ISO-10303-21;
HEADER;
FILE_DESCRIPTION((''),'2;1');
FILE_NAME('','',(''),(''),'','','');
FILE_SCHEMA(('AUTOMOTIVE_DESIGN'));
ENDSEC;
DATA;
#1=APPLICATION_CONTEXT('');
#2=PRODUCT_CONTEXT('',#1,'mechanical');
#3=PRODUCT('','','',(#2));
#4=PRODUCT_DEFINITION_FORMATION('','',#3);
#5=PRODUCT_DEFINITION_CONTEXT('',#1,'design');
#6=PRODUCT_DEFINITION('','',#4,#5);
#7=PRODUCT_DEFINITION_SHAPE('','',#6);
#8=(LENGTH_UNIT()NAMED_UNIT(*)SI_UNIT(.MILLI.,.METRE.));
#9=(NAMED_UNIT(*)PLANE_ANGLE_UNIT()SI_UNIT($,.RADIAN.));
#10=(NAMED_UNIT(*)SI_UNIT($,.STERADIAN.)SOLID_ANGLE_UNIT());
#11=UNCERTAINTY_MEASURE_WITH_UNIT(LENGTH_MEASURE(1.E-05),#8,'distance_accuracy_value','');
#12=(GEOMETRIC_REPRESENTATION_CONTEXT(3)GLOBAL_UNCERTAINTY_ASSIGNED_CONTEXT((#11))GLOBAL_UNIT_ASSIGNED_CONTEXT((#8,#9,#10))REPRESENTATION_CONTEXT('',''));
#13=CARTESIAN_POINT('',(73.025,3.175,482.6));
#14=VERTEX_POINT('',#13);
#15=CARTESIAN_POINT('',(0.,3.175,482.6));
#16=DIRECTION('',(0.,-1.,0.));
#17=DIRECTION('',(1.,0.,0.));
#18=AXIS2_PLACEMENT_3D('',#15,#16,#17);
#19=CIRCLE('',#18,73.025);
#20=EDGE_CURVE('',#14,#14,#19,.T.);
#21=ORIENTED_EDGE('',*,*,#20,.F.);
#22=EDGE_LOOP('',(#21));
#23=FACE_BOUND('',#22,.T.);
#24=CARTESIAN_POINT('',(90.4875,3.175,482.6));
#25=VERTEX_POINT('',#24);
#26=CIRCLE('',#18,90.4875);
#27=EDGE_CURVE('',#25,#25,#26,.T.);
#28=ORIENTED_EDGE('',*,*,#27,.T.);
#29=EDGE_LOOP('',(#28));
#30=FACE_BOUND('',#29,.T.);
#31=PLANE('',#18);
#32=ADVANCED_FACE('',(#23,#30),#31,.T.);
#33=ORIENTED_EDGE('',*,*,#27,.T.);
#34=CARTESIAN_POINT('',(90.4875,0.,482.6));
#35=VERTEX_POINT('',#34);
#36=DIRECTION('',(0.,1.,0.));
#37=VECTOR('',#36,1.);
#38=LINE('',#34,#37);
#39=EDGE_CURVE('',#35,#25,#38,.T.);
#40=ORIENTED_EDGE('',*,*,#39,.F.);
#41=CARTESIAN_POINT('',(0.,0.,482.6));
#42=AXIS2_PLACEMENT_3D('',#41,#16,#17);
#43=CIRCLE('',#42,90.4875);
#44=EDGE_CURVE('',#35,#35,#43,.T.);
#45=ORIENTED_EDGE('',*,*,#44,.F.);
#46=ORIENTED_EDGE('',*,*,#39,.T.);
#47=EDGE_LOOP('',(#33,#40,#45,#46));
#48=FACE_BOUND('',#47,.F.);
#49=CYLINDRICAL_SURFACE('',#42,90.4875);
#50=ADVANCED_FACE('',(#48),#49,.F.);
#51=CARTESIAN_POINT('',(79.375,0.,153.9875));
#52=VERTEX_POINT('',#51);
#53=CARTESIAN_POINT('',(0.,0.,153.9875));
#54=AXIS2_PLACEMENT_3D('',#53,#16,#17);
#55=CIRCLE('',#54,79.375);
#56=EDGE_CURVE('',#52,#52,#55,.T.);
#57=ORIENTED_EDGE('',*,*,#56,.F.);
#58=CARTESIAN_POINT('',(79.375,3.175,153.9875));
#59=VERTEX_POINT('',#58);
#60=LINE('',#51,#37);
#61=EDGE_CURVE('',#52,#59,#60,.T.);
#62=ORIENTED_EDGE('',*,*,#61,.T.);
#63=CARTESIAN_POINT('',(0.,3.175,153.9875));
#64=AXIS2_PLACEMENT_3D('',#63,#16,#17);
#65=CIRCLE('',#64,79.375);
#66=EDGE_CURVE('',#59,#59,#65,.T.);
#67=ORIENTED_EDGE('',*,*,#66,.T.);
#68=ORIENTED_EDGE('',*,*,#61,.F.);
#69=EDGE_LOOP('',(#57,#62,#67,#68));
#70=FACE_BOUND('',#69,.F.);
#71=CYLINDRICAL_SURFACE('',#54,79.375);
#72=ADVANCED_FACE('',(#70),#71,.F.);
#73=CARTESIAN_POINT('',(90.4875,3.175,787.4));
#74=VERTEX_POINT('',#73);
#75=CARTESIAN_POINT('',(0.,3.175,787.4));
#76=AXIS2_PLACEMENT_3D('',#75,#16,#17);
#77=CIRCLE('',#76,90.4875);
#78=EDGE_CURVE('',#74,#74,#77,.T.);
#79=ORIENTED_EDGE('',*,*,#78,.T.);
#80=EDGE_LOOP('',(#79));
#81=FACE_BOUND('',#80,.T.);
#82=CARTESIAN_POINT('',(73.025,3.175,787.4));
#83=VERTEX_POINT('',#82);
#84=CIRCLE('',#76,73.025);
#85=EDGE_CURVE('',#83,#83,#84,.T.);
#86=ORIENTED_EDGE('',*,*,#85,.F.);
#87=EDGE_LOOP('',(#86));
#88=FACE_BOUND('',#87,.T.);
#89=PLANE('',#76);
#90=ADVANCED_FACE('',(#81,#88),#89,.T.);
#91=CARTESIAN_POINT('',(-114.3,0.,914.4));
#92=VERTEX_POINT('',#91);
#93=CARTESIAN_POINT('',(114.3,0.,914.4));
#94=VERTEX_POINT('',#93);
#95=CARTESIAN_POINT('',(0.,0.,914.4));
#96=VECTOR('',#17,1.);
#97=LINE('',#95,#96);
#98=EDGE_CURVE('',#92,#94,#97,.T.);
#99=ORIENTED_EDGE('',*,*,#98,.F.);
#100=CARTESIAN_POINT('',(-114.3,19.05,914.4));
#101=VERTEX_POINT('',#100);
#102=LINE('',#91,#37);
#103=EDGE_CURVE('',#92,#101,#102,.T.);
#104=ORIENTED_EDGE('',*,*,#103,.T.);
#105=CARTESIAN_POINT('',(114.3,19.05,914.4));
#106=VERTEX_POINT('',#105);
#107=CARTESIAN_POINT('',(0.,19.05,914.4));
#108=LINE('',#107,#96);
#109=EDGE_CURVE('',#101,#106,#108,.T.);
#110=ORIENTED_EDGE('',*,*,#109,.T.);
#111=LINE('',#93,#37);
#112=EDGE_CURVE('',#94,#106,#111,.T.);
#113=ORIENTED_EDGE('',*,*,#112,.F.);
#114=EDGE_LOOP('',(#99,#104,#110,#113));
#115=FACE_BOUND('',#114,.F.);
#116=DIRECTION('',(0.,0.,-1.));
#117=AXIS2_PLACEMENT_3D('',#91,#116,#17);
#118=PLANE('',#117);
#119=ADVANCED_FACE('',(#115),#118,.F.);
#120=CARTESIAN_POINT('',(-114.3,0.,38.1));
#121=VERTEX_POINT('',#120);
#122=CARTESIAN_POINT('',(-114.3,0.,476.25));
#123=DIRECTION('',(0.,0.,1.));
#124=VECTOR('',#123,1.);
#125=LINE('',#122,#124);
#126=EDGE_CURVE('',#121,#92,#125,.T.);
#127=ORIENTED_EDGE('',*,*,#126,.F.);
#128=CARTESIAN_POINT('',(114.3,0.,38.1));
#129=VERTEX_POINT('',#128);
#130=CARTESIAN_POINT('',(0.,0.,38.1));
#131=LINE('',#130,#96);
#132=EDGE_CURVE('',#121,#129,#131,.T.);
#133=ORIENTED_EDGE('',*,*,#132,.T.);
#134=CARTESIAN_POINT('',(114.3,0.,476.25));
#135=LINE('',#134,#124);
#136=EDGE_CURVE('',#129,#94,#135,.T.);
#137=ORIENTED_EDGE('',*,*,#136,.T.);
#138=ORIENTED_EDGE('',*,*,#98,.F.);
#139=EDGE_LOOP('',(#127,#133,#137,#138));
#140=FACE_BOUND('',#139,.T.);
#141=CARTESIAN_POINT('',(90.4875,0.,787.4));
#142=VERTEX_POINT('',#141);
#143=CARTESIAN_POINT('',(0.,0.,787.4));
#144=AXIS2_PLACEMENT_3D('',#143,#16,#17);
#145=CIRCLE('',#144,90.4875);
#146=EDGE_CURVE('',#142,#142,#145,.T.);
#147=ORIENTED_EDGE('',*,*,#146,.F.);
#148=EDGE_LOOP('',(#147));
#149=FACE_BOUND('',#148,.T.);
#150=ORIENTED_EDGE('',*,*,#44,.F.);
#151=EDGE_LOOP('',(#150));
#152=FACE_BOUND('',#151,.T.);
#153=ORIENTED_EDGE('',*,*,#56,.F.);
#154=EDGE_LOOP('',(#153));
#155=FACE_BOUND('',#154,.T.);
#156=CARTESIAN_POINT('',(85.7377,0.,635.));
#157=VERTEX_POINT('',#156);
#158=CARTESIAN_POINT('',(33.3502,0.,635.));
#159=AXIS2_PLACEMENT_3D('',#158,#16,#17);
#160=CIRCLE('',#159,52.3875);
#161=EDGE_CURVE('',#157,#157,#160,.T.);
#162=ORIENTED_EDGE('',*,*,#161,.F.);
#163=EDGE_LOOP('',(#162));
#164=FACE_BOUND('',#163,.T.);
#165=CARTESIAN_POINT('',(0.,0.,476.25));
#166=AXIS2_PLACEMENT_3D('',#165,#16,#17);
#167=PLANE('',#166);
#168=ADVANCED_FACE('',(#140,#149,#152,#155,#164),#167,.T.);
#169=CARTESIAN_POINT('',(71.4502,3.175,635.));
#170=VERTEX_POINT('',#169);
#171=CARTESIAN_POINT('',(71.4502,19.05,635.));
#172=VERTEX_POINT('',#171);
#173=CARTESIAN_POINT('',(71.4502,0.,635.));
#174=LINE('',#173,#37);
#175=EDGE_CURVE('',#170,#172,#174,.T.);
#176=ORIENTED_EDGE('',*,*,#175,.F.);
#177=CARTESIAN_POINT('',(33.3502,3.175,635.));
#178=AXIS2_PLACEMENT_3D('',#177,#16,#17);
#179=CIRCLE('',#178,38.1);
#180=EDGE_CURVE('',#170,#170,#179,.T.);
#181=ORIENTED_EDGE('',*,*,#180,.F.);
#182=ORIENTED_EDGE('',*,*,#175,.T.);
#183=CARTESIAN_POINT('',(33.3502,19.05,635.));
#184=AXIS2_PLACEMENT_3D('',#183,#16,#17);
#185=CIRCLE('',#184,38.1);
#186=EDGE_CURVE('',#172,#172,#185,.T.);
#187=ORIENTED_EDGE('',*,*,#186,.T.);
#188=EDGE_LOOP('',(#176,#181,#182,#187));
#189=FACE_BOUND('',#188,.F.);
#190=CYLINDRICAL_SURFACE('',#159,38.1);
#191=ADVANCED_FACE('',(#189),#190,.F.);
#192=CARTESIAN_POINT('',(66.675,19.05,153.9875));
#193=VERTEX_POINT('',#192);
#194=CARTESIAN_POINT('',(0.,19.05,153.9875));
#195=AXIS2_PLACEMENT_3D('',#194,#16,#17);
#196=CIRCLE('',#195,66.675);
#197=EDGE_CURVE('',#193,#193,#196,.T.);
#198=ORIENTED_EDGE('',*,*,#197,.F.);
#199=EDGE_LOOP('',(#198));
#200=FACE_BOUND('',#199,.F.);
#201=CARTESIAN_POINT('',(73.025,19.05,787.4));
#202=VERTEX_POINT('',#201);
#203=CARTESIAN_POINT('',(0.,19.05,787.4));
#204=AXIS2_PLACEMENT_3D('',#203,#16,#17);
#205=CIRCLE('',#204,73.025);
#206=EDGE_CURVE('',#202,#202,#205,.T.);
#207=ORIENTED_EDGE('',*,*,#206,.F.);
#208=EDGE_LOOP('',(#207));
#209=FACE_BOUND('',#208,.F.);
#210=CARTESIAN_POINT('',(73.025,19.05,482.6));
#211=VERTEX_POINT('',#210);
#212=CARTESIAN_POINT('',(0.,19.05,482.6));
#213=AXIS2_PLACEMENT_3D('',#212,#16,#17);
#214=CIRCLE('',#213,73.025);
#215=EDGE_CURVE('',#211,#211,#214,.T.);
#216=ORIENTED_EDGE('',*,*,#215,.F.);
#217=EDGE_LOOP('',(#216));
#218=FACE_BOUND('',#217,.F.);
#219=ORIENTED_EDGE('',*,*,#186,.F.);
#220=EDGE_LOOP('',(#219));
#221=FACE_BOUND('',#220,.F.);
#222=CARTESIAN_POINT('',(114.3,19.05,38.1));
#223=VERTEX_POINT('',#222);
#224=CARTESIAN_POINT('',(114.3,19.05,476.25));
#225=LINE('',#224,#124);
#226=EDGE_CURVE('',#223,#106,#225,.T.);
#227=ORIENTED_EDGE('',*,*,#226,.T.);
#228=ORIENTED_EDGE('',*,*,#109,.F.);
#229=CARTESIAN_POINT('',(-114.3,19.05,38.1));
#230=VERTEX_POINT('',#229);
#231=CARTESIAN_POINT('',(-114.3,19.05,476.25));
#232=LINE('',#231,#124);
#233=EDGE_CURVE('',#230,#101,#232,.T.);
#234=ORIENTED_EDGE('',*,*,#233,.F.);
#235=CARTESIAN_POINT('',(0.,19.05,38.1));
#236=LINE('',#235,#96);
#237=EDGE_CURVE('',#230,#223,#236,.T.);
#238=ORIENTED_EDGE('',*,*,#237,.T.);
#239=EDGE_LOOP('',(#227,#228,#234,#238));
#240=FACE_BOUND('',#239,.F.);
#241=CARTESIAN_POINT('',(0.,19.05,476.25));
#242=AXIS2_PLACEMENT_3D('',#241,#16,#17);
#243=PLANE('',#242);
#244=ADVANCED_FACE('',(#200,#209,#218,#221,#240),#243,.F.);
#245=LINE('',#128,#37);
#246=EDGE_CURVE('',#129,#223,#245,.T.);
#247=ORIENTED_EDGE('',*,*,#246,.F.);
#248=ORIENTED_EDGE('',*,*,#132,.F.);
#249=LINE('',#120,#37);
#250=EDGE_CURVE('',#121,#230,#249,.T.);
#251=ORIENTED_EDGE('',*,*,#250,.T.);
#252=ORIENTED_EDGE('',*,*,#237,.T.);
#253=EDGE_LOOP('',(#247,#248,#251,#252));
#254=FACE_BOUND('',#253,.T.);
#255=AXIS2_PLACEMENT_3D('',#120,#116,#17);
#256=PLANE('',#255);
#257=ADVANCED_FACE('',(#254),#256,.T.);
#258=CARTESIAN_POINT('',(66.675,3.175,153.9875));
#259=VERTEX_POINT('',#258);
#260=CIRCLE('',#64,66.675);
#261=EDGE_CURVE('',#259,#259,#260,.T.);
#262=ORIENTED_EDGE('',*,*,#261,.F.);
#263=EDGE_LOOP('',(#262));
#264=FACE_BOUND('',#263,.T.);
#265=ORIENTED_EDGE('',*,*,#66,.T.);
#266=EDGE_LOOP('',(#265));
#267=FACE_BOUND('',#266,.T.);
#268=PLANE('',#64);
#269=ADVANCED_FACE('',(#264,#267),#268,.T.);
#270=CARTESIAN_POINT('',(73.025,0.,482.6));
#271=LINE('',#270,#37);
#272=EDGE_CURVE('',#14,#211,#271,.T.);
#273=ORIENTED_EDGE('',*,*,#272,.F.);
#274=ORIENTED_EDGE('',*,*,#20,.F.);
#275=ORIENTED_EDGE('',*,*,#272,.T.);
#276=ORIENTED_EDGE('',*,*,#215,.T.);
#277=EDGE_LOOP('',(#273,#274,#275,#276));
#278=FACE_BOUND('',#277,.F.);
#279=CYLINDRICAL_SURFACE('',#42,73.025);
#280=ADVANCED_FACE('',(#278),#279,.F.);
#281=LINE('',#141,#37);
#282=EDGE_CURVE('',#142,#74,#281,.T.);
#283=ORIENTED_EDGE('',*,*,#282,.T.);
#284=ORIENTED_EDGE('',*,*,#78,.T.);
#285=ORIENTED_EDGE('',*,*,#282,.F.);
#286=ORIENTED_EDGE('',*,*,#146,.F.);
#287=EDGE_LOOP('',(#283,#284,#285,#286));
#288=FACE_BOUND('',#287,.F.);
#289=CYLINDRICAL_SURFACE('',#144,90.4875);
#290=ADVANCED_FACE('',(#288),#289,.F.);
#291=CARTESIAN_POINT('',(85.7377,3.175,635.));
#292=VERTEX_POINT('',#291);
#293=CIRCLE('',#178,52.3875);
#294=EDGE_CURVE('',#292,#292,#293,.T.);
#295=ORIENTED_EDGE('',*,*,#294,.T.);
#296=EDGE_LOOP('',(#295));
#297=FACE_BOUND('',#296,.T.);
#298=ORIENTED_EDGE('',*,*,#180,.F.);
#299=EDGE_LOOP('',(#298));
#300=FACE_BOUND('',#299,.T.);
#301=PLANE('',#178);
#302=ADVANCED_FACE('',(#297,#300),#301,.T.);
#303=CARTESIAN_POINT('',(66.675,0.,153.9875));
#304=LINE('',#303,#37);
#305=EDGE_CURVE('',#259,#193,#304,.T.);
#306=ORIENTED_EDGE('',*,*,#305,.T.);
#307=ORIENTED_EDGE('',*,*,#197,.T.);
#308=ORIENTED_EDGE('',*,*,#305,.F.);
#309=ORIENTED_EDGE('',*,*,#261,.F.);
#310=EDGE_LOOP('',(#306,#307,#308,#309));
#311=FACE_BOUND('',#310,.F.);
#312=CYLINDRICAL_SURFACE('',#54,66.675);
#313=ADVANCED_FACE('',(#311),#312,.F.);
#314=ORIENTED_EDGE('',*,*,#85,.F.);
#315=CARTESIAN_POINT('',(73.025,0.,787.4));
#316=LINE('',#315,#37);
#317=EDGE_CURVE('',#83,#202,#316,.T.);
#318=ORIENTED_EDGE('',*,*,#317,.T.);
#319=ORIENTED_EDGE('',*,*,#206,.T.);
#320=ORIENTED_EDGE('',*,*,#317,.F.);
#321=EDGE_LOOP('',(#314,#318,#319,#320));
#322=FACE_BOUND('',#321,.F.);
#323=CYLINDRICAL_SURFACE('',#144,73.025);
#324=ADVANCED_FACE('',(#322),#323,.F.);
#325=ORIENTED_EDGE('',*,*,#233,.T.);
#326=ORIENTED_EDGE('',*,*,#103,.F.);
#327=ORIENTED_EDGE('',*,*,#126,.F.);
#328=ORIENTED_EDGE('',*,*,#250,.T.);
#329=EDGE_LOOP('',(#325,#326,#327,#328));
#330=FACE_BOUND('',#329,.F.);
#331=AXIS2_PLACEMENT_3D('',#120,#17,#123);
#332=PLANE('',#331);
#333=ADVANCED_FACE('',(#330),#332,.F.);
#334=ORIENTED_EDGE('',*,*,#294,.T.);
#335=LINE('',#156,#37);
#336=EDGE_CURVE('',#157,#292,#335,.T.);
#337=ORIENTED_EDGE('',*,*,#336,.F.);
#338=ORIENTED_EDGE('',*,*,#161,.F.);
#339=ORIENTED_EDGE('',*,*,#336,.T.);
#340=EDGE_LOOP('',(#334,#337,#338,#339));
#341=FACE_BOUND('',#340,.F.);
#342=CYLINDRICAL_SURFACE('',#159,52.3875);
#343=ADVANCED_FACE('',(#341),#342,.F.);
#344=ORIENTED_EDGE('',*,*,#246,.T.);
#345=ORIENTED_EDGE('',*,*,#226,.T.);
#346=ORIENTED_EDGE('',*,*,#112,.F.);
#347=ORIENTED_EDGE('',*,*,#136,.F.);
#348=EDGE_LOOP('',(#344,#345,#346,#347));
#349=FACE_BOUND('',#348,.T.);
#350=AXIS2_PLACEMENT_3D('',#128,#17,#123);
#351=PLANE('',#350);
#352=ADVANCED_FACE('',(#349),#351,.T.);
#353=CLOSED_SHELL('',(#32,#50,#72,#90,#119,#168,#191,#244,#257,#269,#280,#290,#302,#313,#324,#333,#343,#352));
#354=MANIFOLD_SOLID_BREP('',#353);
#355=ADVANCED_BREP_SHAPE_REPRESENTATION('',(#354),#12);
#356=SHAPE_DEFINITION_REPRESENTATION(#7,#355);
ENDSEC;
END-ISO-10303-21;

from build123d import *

# Parameters (mm, degrees)
F0_W     = 228.6
F0_H     = 876.3
F0_R     = 79.375
F0_R_2   = 90.4875
F0_R_3   = 52.3875
F0_R_4   = 73.025
F0_R_5   = 38.1
F0_R_6   = 66.675
F1_DEPTH = 19.05
F2_DEPTH = 3.175


with BuildPart() as f1:
    # F0 (on Front) → F1 (new body)
    with BuildSketch(Plane.XZ):
        with Locations((0, 476.25)):
            Rectangle(F0_W, F0_H)
        with Locations((0, 153.9875)):
            Circle(F0_R, mode=Mode.SUBTRACT)
        with Locations((0, 482.6)):
            Circle(F0_R_2, mode=Mode.SUBTRACT)
        with Locations((33.3502, 635)):
            Circle(F0_R_3, mode=Mode.SUBTRACT)
        with Locations((0, 787.4)):
            Circle(F0_R_2, mode=Mode.SUBTRACT)
        with Locations((0, 787.4)):
            Circle(F0_R_2)
        with Locations((0, 787.4)):
            Circle(F0_R_4, mode=Mode.SUBTRACT)
        with Locations((33.3502, 635)):
            Circle(F0_R_3)
        with Locations((33.3502, 635)):
            Circle(F0_R_5, mode=Mode.SUBTRACT)
        with Locations((0, 482.6)):
            Circle(F0_R_2)
        with Locations((0, 482.6)):
            Circle(F0_R_4, mode=Mode.SUBTRACT)
        with Locations((0, 153.9875)):
            Circle(F0_R)
        with Locations((0, 153.9875)):
            Circle(F0_R_6, mode=Mode.SUBTRACT)
    extrude(amount=-F1_DEPTH)

    # F0 (on Front) → F2 (cut)
    with BuildSketch(Plane.XZ):
        with Locations((0, 787.4)):
            Circle(F0_R_2)
        with Locations((0, 787.4)):
            Circle(F0_R_4, mode=Mode.SUBTRACT)
        with Locations((33.3502, 635)):
            Circle(F0_R_3)
        with Locations((33.3502, 635)):
            Circle(F0_R_5, mode=Mode.SUBTRACT)
        with Locations((0, 482.6)):
            Circle(F0_R_2)
        with Locations((0, 482.6)):
            Circle(F0_R_4, mode=Mode.SUBTRACT)
        with Locations((0, 153.9875)):
            Circle(F0_R)
        with Locations((0, 153.9875)):
            Circle(F0_R_6, mode=Mode.SUBTRACT)
    extrude(amount=-F2_DEPTH, mode=Mode.SUBTRACT)


solid = f1.part
